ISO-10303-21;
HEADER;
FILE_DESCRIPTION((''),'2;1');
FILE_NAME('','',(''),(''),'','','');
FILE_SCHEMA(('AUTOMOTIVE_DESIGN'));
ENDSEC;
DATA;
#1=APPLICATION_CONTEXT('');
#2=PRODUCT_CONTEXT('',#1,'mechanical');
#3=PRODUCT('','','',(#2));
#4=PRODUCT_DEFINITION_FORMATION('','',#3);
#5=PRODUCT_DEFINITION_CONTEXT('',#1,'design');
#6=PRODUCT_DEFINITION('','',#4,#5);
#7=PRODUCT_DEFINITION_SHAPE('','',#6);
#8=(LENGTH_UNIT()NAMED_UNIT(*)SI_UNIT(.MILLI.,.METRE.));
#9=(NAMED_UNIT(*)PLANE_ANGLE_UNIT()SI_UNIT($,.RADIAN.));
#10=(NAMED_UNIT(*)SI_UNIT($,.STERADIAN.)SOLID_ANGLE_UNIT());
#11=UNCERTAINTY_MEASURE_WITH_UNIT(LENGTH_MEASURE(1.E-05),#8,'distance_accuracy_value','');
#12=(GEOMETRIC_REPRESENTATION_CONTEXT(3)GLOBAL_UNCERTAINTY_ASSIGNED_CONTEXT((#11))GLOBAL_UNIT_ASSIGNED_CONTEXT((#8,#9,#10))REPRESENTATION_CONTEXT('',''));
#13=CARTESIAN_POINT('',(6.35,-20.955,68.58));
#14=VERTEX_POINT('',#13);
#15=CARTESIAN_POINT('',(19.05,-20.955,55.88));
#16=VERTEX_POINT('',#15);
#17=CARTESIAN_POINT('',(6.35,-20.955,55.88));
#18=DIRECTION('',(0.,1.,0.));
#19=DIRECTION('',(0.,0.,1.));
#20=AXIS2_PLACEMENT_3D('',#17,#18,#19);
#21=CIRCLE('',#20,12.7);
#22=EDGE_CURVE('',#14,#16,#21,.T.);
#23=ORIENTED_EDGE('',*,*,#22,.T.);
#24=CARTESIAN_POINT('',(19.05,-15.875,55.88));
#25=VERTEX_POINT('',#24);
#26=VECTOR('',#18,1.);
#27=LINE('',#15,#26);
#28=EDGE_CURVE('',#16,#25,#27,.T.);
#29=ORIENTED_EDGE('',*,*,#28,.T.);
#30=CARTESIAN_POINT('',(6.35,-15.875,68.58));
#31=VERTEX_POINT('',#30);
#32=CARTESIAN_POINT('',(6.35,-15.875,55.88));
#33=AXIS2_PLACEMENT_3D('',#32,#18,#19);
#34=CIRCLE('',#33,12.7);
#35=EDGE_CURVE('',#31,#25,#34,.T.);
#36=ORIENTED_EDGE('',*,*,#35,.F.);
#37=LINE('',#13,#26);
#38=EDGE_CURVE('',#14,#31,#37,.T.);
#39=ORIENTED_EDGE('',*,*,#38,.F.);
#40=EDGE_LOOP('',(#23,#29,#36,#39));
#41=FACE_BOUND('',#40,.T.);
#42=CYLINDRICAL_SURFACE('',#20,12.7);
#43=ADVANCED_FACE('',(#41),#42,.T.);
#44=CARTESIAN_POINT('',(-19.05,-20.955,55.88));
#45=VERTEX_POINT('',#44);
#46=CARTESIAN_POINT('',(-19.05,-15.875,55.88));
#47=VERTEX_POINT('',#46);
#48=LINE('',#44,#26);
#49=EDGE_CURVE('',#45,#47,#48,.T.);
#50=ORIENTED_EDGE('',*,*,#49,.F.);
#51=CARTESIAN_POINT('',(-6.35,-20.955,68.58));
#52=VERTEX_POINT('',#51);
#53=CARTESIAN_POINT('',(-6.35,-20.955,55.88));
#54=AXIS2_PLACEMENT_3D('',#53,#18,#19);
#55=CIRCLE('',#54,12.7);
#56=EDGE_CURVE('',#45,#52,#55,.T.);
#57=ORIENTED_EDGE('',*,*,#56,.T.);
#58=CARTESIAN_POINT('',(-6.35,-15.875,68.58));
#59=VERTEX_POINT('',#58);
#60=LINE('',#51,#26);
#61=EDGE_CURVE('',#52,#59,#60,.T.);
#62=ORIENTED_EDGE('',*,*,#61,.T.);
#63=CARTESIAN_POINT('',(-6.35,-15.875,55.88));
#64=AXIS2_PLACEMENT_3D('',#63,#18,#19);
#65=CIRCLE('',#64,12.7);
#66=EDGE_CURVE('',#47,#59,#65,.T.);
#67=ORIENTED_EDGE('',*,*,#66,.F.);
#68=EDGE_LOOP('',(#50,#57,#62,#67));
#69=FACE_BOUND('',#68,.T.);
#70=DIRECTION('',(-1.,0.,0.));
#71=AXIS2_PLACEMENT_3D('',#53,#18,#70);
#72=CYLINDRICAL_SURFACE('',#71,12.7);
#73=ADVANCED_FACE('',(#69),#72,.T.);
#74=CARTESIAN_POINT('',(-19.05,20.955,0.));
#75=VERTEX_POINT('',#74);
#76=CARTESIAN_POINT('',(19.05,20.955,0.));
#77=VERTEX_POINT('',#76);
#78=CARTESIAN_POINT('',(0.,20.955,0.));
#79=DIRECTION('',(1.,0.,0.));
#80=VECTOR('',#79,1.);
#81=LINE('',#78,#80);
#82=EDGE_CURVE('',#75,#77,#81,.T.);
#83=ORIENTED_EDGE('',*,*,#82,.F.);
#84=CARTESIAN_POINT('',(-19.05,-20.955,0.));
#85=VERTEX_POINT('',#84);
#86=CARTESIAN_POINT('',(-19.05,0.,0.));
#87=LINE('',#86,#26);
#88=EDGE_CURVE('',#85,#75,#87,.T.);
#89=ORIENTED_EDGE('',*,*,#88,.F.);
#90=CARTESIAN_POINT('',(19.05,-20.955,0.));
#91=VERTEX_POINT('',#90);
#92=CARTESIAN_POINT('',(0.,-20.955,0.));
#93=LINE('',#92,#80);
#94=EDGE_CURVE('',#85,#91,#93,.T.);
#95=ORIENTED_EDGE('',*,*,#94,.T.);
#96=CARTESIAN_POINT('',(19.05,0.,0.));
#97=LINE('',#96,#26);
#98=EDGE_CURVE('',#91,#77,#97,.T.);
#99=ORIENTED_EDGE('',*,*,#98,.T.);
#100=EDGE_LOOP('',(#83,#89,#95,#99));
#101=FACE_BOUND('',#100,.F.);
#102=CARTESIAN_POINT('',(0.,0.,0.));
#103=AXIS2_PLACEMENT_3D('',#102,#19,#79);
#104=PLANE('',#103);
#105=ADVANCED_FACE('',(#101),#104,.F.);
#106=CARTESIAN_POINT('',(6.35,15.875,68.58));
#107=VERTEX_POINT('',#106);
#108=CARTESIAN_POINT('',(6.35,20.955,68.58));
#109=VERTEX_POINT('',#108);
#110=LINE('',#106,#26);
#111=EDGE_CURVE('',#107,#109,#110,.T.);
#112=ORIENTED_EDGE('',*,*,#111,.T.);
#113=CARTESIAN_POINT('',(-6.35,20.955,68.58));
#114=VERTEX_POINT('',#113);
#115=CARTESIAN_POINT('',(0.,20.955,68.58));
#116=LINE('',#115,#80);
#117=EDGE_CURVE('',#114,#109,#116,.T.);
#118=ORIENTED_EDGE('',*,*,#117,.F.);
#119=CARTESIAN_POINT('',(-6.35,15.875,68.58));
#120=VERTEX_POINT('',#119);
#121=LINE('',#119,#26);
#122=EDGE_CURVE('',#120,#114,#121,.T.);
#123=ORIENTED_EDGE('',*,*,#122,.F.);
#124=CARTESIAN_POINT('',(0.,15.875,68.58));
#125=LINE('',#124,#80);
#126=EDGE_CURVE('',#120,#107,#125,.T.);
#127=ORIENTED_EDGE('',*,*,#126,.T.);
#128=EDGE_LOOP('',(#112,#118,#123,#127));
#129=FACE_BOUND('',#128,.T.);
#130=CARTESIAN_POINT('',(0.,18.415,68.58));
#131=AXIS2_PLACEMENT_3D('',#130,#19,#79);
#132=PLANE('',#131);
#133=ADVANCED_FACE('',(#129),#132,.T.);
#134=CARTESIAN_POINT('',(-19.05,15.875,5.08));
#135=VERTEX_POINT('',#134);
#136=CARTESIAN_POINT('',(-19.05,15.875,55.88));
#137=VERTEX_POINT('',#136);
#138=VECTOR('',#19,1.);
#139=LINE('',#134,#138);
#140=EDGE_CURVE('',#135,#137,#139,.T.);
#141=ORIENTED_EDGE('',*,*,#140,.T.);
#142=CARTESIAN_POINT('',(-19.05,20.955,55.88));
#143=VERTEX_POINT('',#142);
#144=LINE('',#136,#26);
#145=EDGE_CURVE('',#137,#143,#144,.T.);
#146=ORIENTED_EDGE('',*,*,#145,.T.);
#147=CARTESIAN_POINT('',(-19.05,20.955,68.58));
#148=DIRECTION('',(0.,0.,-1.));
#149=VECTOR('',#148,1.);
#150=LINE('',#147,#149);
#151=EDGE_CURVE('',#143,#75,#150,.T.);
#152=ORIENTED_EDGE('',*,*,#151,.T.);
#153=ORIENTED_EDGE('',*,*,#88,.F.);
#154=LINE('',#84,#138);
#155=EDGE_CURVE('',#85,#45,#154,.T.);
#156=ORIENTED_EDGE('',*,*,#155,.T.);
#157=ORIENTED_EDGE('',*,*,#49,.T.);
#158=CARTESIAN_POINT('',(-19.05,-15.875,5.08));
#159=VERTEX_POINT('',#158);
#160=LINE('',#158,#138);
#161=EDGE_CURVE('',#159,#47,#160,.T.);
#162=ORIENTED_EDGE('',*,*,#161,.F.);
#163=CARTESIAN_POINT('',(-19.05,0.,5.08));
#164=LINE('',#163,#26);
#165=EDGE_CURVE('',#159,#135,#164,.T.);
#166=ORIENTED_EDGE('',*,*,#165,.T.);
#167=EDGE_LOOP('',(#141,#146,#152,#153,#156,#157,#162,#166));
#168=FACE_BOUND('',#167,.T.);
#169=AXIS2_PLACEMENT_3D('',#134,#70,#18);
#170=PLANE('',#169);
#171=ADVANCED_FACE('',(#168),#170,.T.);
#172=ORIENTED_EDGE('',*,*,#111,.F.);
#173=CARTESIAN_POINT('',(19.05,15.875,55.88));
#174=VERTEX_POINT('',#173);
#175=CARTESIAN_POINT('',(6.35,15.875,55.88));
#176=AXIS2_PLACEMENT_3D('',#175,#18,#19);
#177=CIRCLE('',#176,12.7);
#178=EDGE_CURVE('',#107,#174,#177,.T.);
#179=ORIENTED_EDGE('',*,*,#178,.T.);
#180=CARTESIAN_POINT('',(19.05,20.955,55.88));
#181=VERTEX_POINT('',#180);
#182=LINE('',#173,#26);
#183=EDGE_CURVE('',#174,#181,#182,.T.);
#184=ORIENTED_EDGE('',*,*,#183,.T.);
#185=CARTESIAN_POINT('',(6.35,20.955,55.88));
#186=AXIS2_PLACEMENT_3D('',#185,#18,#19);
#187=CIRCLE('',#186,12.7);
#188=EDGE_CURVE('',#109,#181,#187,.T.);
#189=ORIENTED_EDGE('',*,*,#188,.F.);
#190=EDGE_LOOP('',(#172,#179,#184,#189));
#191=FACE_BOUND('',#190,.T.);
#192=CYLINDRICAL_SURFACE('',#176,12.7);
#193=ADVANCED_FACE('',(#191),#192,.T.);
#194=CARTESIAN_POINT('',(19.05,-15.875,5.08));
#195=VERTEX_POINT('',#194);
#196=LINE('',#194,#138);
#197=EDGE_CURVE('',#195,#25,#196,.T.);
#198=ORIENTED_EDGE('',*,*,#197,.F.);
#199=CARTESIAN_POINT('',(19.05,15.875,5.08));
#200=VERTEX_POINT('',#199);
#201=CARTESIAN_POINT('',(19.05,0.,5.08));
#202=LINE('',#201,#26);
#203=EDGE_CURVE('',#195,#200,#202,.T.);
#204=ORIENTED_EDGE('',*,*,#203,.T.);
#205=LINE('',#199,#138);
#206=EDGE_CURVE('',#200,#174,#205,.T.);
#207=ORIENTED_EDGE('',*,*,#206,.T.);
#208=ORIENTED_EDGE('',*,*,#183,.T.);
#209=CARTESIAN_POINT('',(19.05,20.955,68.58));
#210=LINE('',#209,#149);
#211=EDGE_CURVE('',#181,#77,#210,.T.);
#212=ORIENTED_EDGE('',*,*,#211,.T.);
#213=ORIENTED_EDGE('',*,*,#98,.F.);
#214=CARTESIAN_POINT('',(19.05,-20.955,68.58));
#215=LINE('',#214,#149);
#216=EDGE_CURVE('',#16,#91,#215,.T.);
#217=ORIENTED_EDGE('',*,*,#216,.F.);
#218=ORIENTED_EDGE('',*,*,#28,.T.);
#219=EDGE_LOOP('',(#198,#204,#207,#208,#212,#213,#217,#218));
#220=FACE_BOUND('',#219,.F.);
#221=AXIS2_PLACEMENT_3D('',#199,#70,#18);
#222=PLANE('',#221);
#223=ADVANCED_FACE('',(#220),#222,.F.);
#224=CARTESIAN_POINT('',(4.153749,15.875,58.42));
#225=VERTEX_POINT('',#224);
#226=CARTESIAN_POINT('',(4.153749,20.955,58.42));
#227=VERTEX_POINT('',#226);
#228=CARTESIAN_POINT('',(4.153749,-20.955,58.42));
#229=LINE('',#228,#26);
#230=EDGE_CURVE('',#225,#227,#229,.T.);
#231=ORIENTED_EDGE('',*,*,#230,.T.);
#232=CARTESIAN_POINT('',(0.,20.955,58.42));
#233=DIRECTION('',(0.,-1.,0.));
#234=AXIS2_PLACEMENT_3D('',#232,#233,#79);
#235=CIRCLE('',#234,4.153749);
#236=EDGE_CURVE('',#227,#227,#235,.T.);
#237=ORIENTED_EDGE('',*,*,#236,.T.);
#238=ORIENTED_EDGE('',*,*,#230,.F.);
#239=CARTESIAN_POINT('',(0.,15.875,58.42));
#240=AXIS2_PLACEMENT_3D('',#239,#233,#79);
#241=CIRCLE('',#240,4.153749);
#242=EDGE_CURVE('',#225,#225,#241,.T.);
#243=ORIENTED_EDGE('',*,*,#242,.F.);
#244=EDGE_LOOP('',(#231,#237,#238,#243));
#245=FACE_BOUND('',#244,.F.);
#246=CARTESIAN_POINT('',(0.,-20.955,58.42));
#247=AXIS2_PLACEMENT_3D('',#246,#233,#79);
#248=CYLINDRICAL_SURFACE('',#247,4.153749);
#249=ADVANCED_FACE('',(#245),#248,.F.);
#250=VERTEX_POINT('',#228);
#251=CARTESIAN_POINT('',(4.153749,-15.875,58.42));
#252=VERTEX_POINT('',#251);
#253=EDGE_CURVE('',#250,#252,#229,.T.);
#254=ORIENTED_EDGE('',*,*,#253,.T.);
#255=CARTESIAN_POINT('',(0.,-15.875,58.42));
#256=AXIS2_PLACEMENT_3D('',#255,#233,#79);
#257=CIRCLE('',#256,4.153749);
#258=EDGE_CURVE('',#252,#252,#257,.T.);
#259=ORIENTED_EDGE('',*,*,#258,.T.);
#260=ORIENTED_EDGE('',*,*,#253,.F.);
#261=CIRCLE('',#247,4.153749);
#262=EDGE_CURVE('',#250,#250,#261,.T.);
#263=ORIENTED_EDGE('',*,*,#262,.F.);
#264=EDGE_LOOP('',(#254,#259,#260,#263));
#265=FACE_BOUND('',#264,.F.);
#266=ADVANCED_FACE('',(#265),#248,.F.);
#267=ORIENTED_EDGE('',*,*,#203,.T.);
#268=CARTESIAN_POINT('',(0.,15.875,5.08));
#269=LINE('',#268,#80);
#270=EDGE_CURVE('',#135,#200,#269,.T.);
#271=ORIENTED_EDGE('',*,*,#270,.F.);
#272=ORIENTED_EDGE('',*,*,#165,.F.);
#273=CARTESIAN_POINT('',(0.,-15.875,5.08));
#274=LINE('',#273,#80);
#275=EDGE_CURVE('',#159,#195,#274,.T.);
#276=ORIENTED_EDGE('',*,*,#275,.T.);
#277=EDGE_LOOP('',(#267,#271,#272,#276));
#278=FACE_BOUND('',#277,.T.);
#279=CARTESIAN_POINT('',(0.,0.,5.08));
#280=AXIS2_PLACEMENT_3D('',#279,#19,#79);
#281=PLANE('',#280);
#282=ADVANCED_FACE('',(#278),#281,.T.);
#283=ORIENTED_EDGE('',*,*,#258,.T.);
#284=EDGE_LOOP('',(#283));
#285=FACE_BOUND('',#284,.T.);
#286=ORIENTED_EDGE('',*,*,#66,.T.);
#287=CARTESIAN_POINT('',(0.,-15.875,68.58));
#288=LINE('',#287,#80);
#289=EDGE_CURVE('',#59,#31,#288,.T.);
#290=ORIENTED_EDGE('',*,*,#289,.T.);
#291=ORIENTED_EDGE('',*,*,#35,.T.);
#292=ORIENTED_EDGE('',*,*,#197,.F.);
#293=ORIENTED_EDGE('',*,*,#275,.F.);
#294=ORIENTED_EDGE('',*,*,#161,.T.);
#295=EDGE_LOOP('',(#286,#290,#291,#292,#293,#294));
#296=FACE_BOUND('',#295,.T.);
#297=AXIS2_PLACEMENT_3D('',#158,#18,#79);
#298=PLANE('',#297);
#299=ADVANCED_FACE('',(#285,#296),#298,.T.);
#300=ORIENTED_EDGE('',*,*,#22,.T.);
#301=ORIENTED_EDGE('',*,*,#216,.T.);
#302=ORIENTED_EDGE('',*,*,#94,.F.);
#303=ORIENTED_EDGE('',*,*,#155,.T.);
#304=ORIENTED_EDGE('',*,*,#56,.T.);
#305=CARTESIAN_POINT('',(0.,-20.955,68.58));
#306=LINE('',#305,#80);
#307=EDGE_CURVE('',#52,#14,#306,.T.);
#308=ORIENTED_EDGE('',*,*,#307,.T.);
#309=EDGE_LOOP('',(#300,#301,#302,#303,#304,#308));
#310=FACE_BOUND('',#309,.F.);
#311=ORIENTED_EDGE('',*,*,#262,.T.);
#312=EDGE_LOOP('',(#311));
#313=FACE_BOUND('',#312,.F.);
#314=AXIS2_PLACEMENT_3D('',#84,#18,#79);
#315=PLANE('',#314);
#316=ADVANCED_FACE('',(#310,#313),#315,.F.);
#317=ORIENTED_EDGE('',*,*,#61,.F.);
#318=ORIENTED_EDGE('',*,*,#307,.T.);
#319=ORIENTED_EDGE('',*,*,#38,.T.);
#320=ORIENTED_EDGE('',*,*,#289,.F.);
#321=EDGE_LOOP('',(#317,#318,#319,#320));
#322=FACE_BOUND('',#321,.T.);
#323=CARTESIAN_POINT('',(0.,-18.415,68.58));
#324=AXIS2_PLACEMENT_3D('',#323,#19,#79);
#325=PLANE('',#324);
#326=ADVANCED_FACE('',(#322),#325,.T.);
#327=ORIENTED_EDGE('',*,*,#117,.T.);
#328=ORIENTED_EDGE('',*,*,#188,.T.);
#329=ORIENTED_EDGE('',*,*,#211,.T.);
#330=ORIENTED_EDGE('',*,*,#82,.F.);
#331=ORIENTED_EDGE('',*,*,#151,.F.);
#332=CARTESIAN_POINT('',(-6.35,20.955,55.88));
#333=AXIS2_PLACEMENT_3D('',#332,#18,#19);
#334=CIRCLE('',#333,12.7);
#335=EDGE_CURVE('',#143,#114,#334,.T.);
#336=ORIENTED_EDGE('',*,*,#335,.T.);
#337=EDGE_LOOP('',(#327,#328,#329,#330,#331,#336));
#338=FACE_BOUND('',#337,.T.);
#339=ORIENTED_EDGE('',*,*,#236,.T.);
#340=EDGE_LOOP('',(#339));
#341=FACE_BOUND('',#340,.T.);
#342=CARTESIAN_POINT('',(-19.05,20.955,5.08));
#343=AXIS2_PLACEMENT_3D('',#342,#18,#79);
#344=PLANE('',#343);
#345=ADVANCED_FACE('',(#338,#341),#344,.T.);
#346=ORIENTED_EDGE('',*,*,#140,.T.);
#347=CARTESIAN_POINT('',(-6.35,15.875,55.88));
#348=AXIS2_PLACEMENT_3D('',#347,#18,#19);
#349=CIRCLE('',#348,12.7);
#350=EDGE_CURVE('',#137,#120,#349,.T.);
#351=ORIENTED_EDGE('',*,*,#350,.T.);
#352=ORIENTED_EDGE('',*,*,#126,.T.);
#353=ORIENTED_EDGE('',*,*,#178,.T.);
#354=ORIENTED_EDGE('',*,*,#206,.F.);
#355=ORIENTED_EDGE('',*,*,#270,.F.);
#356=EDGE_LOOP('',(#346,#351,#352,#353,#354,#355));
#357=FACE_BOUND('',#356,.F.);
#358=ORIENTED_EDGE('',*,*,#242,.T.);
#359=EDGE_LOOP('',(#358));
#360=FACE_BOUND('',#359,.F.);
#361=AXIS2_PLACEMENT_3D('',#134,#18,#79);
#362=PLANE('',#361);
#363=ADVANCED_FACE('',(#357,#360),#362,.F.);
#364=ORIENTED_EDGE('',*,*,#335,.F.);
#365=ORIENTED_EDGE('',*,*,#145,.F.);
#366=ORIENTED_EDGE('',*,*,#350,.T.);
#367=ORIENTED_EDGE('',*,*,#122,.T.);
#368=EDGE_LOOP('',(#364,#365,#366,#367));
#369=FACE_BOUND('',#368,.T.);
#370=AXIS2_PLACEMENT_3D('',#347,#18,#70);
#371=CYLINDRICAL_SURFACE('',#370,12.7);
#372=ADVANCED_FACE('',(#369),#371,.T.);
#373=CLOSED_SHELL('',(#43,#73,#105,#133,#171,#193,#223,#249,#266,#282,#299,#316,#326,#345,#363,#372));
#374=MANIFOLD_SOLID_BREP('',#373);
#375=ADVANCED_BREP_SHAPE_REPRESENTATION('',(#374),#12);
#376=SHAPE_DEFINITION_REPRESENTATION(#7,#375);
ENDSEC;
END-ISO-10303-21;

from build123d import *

# Parameters (mm, degrees)
F0_W     = 38.1
F0_H     = 41.91
F1_DEPTH = 5.08
F2_W     = 38.1
F2_H     = 5.08
F3_DEPTH = 63.5
F4_R     = 4.153748588
F5_DEPTH = 48.768
F6_R     = 12.7


with BuildPart() as f1:
    # F0 (on Top) → F1 (new body)
    with BuildSketch(Plane.XY):
        Rectangle(F0_W, F0_H)
    extrude(amount=F1_DEPTH)

    # F2 (on face) → F3 (join)
    with BuildSketch(Plane.XY.offset(5.08)):
        with Locations((0, 18.415)):
            Rectangle(F2_W, F2_H)
        with Locations((0, -18.415)):
            Rectangle(F2_W, F2_H)
    extrude(amount=F3_DEPTH)

    # F4 (on face) → F5 (cut)
    with BuildSketch(Plane.XZ.offset(20.955)):
        with Locations((0, 58.42)):
            Circle(F4_R)
    extrude(amount=-F5_DEPTH, mode=Mode.SUBTRACT)

    # F6
    f6_edges = [f1.edges().sort_by_distance(p)[0] for p in [
        (-19.05, -18.415, 68.58),
        (-19.05, 18.415, 68.58),
        (19.05, -18.415, 68.58),
        (19.05, 18.415, 68.58),
    ]]
    fillet(f6_edges, radius=F6_R)


solid = f1.part
